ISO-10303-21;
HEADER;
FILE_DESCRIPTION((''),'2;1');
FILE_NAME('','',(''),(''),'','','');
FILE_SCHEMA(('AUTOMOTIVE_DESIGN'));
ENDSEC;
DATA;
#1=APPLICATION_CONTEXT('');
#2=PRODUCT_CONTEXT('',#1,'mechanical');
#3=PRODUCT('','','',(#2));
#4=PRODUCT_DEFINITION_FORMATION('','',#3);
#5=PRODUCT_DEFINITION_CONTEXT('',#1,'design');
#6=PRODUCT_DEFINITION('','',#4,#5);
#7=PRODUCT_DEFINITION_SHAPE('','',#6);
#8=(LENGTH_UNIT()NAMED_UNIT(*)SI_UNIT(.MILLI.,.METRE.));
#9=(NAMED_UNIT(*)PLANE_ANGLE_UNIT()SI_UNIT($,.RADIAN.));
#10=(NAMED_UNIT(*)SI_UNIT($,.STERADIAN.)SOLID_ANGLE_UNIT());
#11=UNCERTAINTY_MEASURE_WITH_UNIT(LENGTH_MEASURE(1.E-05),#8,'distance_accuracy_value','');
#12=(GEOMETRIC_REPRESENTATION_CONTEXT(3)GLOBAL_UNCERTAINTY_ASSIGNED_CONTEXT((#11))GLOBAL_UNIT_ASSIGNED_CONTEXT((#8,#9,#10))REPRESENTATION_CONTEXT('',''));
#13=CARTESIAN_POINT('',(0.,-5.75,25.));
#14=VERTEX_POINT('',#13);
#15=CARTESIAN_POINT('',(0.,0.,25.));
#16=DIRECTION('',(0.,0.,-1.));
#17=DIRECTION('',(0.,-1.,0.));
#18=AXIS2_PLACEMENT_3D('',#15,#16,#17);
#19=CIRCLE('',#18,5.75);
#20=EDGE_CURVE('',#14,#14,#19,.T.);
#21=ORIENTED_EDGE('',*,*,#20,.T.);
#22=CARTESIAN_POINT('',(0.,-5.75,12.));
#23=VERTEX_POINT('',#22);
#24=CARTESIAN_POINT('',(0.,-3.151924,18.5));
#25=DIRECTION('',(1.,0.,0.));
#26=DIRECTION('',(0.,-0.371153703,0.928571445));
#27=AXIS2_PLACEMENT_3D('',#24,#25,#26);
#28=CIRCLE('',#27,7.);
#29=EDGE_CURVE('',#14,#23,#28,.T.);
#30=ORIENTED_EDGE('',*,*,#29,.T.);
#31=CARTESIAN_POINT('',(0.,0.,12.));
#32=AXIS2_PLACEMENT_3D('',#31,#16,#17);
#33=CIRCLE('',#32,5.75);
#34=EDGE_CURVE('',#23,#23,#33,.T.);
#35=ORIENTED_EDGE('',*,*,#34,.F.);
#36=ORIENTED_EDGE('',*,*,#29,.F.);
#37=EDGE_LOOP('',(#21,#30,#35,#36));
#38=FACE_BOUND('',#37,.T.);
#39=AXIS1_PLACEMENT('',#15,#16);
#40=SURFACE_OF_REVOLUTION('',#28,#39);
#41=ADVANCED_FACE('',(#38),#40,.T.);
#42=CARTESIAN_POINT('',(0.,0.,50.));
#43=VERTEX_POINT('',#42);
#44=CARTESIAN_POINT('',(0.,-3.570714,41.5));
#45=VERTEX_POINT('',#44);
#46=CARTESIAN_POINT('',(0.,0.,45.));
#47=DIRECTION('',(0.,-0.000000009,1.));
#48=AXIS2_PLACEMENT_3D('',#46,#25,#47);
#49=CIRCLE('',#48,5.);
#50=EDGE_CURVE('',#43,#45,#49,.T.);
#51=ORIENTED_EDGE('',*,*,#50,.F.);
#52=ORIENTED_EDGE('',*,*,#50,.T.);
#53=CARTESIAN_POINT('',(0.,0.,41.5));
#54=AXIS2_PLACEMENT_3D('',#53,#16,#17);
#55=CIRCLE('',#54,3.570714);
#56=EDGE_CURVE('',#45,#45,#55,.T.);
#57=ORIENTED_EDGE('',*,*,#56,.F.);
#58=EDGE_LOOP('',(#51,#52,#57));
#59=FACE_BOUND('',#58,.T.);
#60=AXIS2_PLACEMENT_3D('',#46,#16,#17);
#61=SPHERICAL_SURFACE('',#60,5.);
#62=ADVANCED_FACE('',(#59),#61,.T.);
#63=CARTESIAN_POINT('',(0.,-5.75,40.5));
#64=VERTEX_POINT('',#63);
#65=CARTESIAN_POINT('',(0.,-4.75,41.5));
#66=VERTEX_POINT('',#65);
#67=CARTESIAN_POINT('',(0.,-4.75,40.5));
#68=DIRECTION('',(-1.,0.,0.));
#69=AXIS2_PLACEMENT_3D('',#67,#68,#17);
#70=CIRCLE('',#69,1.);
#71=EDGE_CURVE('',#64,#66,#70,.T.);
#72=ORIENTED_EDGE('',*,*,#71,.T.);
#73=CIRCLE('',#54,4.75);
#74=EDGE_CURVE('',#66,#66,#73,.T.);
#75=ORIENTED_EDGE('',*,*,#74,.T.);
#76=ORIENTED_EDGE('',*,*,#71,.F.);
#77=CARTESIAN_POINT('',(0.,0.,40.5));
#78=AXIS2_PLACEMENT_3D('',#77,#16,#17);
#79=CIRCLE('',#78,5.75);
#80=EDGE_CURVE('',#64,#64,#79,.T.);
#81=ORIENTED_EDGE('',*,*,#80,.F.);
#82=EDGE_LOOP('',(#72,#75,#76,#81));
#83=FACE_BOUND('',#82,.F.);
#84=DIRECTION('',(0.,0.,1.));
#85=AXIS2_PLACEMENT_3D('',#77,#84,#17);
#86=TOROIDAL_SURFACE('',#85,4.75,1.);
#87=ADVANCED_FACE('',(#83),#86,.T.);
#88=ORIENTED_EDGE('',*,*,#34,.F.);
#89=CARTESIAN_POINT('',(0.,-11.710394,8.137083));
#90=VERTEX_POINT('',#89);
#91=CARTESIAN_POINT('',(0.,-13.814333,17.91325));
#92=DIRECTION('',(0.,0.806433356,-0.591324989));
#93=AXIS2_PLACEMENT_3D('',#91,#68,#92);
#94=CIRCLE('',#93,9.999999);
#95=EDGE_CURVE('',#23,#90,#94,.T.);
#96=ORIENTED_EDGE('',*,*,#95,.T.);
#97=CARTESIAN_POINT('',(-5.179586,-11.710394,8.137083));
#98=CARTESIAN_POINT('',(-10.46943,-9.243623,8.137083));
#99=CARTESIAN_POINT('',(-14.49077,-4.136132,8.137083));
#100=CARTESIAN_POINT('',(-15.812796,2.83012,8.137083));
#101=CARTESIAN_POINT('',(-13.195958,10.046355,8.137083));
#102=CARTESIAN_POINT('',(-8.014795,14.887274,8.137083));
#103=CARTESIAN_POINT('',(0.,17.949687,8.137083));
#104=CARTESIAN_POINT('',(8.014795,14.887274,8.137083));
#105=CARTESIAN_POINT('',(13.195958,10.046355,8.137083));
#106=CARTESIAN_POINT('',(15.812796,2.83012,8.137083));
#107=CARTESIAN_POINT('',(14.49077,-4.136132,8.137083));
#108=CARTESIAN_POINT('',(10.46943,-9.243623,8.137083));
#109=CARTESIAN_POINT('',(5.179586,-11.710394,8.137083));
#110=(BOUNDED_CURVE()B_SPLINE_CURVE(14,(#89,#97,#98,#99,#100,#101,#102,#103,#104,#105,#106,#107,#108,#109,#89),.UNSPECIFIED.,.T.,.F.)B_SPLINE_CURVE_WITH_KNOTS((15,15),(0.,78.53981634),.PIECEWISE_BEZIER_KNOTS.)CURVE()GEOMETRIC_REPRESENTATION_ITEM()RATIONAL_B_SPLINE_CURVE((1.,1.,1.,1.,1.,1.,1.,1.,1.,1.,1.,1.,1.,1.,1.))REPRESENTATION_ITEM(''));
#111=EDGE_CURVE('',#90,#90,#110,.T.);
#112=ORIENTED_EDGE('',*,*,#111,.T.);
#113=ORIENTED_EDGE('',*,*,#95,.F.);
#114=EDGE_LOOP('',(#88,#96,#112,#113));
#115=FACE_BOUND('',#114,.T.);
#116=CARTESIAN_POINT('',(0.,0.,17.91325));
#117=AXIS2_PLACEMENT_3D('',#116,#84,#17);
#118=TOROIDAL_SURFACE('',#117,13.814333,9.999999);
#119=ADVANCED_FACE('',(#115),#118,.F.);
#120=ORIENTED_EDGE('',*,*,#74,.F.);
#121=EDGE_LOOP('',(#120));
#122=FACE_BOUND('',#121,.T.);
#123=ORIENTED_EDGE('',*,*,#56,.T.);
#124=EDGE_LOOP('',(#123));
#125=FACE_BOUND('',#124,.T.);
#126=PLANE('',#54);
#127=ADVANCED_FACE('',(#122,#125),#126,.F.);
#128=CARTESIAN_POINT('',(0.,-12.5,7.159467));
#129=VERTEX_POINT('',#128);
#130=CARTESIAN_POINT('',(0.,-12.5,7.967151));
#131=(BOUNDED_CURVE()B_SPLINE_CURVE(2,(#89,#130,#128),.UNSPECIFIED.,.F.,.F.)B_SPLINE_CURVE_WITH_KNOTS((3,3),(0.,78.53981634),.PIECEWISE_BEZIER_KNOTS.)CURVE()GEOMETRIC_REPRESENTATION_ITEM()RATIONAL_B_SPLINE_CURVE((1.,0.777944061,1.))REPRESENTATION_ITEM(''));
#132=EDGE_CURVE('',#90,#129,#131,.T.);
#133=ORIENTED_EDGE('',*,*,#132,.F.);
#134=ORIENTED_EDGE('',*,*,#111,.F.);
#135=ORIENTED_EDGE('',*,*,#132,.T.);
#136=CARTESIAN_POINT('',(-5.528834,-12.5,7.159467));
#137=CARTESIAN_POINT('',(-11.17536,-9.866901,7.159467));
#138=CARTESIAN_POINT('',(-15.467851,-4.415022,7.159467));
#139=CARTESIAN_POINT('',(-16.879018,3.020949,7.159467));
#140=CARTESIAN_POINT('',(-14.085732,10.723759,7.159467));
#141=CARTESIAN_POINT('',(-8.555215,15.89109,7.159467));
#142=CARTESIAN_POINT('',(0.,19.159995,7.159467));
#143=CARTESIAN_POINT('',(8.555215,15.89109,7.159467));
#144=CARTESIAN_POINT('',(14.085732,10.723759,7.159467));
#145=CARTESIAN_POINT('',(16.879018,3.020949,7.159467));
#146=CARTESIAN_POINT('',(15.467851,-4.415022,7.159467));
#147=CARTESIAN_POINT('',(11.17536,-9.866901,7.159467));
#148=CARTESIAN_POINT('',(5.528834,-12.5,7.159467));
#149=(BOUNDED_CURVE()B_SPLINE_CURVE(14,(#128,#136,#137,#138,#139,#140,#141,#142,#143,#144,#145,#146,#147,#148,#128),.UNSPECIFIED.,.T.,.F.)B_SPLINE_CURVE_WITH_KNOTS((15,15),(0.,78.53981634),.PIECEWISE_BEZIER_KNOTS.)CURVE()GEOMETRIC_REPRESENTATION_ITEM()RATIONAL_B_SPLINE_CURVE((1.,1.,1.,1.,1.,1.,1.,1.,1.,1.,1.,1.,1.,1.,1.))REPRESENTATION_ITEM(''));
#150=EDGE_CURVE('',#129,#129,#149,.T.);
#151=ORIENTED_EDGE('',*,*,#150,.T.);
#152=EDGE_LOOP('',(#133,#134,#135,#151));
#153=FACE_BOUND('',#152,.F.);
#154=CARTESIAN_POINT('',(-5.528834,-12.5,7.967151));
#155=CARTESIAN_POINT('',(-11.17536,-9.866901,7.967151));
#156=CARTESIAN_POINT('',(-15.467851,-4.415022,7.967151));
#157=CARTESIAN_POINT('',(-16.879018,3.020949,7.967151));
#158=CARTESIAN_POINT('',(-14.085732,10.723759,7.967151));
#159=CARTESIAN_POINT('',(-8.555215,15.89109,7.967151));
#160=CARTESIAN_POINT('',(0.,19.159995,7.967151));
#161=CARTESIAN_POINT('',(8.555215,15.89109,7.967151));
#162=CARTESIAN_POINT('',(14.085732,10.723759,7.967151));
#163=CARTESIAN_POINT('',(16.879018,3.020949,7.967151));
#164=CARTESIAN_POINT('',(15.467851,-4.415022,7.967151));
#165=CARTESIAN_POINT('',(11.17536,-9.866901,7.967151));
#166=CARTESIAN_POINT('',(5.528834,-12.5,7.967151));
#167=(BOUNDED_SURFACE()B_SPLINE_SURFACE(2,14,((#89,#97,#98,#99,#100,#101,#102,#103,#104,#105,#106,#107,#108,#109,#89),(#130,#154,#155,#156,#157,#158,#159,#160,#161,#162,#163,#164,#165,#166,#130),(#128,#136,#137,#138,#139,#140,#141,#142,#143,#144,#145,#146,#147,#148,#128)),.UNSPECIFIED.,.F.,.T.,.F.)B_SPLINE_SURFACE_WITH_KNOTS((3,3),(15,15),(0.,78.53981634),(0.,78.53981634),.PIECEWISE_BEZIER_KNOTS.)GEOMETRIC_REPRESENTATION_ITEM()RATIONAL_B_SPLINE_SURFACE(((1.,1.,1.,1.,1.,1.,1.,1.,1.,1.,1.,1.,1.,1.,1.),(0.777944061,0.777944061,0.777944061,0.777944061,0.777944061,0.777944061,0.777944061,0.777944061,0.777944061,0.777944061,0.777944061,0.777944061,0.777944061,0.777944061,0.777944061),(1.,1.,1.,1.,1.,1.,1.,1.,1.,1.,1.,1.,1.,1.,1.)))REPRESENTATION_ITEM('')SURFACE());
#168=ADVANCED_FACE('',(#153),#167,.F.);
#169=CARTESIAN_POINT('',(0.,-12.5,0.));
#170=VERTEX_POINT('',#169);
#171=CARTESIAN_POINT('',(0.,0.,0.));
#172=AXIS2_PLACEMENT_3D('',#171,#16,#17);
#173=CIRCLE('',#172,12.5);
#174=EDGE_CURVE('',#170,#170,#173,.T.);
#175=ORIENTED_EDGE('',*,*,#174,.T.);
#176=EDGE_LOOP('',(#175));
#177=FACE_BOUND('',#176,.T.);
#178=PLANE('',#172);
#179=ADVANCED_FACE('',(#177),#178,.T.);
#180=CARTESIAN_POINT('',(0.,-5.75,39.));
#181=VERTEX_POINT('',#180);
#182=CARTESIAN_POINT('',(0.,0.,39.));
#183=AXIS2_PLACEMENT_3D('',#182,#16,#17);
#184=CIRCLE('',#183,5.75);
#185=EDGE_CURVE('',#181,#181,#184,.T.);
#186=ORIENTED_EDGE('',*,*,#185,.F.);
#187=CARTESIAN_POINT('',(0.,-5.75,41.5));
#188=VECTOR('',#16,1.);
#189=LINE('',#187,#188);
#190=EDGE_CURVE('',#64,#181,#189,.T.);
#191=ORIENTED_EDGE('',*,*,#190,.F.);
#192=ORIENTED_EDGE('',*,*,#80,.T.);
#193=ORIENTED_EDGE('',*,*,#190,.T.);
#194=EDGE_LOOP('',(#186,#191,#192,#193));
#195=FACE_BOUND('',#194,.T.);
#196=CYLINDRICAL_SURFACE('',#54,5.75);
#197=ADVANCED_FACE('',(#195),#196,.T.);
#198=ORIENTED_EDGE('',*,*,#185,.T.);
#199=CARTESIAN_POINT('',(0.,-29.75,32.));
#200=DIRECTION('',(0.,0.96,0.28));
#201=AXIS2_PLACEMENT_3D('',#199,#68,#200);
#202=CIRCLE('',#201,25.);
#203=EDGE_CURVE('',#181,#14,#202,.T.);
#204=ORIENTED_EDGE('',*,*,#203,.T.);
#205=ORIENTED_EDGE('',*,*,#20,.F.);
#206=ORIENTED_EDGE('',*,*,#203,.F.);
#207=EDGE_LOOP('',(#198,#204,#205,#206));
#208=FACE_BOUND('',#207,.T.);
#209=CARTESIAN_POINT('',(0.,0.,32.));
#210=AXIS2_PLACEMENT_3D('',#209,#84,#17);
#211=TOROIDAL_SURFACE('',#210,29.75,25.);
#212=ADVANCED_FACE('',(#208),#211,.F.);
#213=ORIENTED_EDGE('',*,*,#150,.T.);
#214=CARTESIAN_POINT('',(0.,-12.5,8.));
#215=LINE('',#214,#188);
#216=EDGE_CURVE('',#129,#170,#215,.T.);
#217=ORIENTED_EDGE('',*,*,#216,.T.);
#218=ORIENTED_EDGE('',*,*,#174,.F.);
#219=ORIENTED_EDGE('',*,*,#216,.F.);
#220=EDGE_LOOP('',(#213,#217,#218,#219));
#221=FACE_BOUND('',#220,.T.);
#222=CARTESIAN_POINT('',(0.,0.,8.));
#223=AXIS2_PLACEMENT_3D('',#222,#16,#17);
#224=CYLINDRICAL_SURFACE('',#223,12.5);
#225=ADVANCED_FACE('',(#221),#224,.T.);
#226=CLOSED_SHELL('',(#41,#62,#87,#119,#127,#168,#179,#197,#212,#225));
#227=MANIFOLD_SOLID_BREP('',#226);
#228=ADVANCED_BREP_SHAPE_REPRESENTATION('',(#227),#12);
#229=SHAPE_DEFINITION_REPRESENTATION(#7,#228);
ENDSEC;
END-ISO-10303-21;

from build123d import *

# Parameters (mm, degrees)
F2_R = 1
F3_R = 1


with BuildPart() as f1:
    # F0 (on Right) → F1 (revolve)
    with BuildSketch(Plane.YZ):
        with BuildLine():
            Line((-12.5, 0), (0, 0))
            Line((0, 0), (0, 50))
            ThreePointArc((0, 50), (-4.609772, 46.936492), (-3.570714, 41.5))
            Line((-3.570714, 41.5), (-5.75, 41.5))
            Line((-5.75, 41.5), (-5.75, 39))
            ThreePointArc((-5.75, 39), (-4.75, 32), (-5.75, 25))
            ThreePointArc((-5.75, 25), (-10.151924, 18.5), (-5.75, 12))
            ThreePointArc((-5.75, 12), (-8.716309, 9.310335), (-12.5, 8))
            Line((-12.5, 8), (-12.5, 0))
        make_face()
    revolve(axis=Axis((0, 0, 25), (0, 0, -1)))

    # F2
    f2_edges = [f1.edges().sort_by_distance(p)[0] for p in [
        (0, 12.5, 8),
    ]]
    fillet(f2_edges, radius=F2_R)

    # F3
    f3_edges = [f1.edges().sort_by_distance(p)[0] for p in [
        (0, 5.75, 41.5),
    ]]
    fillet(f3_edges, radius=F3_R)


solid = f1.part
